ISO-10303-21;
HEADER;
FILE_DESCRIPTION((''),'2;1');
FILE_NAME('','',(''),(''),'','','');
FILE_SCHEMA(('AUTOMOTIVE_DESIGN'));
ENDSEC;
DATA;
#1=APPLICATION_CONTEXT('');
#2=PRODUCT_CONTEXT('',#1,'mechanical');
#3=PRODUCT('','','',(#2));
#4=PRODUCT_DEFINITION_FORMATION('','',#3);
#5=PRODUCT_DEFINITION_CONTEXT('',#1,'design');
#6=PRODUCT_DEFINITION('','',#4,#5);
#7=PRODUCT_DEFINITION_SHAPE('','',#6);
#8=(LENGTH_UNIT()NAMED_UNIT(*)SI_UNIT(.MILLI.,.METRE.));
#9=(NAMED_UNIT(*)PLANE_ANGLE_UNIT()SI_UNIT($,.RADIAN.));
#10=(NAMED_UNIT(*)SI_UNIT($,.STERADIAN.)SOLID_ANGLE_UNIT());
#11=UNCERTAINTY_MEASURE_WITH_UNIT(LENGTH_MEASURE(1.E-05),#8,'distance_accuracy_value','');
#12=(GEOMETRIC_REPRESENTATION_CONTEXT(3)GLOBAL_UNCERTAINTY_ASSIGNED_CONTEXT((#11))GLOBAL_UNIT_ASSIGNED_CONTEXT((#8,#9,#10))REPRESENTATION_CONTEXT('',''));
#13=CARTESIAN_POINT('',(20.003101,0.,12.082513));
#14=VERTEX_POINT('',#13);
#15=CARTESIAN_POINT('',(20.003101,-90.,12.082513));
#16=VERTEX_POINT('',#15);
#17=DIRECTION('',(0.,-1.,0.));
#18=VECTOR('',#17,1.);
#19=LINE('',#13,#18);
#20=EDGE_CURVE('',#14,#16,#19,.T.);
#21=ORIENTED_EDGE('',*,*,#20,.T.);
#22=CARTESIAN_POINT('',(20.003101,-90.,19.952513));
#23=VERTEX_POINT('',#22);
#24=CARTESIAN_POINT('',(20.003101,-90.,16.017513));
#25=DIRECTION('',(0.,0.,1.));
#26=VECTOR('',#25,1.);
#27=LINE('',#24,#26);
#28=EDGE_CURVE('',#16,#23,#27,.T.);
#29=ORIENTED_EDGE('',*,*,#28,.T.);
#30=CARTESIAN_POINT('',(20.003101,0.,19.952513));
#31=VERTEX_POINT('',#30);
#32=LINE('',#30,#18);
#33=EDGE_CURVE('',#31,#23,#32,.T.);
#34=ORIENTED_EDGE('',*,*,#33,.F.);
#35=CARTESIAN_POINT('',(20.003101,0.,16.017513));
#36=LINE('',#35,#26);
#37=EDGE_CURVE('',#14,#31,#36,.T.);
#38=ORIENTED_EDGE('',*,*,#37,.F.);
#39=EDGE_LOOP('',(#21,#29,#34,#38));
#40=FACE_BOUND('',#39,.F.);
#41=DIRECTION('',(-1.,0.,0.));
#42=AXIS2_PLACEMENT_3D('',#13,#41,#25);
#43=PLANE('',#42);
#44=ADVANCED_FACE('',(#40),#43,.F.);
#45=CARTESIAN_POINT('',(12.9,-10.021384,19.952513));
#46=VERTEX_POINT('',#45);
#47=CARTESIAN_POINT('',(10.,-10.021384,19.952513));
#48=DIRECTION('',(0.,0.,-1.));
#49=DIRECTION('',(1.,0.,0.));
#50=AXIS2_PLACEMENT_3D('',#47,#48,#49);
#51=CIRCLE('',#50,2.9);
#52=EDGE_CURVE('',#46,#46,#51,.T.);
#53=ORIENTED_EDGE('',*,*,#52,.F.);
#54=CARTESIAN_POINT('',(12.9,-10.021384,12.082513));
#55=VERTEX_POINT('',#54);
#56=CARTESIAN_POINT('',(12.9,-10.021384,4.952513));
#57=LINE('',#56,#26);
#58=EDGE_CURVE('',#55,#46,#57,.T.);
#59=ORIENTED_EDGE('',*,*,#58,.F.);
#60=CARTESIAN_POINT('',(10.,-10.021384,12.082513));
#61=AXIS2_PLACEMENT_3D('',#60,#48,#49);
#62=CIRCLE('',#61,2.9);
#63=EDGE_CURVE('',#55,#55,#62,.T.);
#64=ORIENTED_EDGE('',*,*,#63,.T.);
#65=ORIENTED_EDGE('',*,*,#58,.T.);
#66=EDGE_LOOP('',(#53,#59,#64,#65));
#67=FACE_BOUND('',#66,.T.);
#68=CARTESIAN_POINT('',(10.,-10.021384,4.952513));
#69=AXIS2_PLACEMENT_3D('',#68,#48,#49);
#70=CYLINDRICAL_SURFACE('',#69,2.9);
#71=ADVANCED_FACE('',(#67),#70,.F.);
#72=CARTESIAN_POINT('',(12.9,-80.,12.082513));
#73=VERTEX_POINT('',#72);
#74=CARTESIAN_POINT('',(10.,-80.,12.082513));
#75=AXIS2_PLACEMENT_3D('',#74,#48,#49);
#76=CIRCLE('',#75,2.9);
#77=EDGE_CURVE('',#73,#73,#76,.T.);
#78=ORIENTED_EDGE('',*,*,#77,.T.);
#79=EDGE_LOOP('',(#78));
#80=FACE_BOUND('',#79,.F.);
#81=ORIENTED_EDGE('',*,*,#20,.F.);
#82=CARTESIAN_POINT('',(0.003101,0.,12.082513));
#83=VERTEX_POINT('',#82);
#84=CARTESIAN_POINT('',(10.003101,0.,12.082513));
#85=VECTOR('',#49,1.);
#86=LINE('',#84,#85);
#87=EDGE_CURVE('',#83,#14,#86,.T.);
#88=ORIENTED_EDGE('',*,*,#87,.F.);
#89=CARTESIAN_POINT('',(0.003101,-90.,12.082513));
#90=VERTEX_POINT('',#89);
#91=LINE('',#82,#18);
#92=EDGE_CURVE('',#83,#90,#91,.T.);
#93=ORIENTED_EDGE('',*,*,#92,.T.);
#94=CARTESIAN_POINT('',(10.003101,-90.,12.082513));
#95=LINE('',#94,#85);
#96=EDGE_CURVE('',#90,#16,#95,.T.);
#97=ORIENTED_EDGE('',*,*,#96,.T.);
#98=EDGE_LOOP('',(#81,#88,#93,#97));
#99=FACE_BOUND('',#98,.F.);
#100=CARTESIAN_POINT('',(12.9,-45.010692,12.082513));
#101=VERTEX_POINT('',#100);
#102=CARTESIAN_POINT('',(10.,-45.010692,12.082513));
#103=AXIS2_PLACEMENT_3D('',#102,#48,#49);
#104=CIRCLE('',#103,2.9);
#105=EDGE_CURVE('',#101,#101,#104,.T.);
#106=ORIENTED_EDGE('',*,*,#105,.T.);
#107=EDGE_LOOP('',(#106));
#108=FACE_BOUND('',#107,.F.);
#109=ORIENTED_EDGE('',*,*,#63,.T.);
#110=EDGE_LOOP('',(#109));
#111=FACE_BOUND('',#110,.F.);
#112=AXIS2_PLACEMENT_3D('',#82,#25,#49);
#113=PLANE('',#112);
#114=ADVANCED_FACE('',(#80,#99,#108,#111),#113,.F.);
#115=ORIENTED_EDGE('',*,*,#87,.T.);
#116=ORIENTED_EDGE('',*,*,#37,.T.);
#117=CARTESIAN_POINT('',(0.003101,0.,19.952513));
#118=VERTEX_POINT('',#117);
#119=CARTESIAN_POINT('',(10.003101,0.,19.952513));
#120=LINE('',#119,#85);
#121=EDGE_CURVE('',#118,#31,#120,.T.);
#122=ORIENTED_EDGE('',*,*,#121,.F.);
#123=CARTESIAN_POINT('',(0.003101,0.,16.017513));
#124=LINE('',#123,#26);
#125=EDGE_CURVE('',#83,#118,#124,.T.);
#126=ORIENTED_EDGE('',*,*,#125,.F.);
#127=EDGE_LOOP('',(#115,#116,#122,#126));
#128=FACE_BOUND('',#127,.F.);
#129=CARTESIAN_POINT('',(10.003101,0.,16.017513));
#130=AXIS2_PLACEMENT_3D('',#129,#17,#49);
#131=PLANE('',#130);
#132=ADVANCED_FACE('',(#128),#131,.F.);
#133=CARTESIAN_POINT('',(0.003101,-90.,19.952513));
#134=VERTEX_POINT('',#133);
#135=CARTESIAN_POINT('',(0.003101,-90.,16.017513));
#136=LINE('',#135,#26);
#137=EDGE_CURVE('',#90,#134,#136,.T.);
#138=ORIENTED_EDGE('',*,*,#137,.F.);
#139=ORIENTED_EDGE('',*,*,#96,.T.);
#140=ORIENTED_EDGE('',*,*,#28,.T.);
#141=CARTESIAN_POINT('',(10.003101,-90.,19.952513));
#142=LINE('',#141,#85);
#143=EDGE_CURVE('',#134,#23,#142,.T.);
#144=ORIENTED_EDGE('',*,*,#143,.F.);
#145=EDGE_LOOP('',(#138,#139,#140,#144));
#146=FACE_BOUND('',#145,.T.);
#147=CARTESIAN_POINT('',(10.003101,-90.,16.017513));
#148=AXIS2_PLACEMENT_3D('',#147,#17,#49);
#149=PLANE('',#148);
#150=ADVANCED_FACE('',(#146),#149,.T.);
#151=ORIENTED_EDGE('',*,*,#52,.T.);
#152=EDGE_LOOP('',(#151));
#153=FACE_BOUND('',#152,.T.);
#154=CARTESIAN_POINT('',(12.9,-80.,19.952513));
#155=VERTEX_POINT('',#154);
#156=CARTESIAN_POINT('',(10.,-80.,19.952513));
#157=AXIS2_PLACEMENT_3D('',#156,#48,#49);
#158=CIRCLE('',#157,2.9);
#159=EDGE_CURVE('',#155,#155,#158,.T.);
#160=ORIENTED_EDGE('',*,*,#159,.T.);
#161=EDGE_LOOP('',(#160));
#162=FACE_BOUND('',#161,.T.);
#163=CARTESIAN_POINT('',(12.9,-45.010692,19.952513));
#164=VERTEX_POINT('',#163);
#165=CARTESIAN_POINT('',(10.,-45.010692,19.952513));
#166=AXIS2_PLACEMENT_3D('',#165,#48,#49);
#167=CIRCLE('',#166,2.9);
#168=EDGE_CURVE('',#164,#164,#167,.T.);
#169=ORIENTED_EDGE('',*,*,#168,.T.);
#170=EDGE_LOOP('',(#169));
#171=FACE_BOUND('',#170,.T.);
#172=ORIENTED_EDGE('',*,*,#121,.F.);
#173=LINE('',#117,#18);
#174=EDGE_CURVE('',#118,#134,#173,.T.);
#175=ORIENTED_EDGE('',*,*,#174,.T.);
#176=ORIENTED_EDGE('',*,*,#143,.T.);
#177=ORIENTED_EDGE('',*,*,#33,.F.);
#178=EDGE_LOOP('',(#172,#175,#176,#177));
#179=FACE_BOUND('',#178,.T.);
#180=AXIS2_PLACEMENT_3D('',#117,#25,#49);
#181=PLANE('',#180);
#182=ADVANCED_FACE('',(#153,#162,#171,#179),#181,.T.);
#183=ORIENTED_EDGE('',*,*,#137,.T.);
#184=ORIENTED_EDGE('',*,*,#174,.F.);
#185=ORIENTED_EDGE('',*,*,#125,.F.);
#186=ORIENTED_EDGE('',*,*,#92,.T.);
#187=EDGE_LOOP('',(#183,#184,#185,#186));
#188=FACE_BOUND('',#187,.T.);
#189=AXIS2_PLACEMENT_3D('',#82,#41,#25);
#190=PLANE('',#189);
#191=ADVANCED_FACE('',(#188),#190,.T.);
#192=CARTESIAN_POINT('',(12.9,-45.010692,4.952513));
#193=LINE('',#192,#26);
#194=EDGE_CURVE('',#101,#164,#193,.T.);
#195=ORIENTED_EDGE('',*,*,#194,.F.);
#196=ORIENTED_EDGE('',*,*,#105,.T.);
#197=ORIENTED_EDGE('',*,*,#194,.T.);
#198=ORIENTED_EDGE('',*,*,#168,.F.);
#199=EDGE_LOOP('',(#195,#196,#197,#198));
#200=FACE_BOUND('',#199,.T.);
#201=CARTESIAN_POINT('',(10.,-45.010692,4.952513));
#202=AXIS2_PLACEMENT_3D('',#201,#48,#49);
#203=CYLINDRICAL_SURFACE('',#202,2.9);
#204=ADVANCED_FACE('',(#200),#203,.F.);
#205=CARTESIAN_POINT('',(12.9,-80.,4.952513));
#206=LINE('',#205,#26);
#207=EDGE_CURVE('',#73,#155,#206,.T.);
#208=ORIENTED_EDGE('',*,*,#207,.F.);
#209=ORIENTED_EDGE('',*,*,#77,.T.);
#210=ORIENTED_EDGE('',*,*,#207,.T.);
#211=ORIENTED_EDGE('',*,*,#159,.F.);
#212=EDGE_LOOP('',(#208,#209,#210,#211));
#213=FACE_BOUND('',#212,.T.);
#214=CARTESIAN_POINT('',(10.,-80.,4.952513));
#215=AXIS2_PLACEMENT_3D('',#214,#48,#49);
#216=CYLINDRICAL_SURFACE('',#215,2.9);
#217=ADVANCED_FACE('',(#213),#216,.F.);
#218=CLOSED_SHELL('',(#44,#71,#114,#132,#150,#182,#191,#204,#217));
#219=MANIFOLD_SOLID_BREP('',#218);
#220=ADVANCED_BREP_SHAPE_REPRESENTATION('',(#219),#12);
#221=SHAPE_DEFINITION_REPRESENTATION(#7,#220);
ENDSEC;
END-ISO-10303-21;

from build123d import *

# Parameters (mm, degrees)
SKETCH010_R      = 2.9
EXTRUDE010_DEPTH = 20
SKETCH009_W      = 20
SKETCH009_H      = 7.87
EXTRUDE009_DEPTH = 90


with BuildPart() as tornillos003:
    # Sketch010 (on Face4 of Extrude009) → Extrude010 (new body)
    with BuildSketch(Plane.XY.offset(19.952513)):
        with Locations((10, -80)):
            Circle(SKETCH010_R)
        with Locations((10, -45.010692)):
            Circle(SKETCH010_R)
        with Locations((10, -10.021384)):
            Circle(SKETCH010_R)
    extrude(amount=EXTRUDE010_DEPTH)


with BuildPart() as tornillos003_1:
    # Extrude010 placement: moved
    add(tornillos003.part.moved(Location((0, 0, -15))))


with BuildPart() as cut:
    # Sketch009 → Extrude009 (new body)
    with BuildSketch(Plane.XZ):
        with Locations((10.003101, 16.017513)):
            Rectangle(SKETCH009_W, SKETCH009_H)
    extrude(amount=EXTRUDE009_DEPTH)

    # Cut: cut Tornillos003
    add(tornillos003_1.part, mode=Mode.SUBTRACT)


solid = cut.part
